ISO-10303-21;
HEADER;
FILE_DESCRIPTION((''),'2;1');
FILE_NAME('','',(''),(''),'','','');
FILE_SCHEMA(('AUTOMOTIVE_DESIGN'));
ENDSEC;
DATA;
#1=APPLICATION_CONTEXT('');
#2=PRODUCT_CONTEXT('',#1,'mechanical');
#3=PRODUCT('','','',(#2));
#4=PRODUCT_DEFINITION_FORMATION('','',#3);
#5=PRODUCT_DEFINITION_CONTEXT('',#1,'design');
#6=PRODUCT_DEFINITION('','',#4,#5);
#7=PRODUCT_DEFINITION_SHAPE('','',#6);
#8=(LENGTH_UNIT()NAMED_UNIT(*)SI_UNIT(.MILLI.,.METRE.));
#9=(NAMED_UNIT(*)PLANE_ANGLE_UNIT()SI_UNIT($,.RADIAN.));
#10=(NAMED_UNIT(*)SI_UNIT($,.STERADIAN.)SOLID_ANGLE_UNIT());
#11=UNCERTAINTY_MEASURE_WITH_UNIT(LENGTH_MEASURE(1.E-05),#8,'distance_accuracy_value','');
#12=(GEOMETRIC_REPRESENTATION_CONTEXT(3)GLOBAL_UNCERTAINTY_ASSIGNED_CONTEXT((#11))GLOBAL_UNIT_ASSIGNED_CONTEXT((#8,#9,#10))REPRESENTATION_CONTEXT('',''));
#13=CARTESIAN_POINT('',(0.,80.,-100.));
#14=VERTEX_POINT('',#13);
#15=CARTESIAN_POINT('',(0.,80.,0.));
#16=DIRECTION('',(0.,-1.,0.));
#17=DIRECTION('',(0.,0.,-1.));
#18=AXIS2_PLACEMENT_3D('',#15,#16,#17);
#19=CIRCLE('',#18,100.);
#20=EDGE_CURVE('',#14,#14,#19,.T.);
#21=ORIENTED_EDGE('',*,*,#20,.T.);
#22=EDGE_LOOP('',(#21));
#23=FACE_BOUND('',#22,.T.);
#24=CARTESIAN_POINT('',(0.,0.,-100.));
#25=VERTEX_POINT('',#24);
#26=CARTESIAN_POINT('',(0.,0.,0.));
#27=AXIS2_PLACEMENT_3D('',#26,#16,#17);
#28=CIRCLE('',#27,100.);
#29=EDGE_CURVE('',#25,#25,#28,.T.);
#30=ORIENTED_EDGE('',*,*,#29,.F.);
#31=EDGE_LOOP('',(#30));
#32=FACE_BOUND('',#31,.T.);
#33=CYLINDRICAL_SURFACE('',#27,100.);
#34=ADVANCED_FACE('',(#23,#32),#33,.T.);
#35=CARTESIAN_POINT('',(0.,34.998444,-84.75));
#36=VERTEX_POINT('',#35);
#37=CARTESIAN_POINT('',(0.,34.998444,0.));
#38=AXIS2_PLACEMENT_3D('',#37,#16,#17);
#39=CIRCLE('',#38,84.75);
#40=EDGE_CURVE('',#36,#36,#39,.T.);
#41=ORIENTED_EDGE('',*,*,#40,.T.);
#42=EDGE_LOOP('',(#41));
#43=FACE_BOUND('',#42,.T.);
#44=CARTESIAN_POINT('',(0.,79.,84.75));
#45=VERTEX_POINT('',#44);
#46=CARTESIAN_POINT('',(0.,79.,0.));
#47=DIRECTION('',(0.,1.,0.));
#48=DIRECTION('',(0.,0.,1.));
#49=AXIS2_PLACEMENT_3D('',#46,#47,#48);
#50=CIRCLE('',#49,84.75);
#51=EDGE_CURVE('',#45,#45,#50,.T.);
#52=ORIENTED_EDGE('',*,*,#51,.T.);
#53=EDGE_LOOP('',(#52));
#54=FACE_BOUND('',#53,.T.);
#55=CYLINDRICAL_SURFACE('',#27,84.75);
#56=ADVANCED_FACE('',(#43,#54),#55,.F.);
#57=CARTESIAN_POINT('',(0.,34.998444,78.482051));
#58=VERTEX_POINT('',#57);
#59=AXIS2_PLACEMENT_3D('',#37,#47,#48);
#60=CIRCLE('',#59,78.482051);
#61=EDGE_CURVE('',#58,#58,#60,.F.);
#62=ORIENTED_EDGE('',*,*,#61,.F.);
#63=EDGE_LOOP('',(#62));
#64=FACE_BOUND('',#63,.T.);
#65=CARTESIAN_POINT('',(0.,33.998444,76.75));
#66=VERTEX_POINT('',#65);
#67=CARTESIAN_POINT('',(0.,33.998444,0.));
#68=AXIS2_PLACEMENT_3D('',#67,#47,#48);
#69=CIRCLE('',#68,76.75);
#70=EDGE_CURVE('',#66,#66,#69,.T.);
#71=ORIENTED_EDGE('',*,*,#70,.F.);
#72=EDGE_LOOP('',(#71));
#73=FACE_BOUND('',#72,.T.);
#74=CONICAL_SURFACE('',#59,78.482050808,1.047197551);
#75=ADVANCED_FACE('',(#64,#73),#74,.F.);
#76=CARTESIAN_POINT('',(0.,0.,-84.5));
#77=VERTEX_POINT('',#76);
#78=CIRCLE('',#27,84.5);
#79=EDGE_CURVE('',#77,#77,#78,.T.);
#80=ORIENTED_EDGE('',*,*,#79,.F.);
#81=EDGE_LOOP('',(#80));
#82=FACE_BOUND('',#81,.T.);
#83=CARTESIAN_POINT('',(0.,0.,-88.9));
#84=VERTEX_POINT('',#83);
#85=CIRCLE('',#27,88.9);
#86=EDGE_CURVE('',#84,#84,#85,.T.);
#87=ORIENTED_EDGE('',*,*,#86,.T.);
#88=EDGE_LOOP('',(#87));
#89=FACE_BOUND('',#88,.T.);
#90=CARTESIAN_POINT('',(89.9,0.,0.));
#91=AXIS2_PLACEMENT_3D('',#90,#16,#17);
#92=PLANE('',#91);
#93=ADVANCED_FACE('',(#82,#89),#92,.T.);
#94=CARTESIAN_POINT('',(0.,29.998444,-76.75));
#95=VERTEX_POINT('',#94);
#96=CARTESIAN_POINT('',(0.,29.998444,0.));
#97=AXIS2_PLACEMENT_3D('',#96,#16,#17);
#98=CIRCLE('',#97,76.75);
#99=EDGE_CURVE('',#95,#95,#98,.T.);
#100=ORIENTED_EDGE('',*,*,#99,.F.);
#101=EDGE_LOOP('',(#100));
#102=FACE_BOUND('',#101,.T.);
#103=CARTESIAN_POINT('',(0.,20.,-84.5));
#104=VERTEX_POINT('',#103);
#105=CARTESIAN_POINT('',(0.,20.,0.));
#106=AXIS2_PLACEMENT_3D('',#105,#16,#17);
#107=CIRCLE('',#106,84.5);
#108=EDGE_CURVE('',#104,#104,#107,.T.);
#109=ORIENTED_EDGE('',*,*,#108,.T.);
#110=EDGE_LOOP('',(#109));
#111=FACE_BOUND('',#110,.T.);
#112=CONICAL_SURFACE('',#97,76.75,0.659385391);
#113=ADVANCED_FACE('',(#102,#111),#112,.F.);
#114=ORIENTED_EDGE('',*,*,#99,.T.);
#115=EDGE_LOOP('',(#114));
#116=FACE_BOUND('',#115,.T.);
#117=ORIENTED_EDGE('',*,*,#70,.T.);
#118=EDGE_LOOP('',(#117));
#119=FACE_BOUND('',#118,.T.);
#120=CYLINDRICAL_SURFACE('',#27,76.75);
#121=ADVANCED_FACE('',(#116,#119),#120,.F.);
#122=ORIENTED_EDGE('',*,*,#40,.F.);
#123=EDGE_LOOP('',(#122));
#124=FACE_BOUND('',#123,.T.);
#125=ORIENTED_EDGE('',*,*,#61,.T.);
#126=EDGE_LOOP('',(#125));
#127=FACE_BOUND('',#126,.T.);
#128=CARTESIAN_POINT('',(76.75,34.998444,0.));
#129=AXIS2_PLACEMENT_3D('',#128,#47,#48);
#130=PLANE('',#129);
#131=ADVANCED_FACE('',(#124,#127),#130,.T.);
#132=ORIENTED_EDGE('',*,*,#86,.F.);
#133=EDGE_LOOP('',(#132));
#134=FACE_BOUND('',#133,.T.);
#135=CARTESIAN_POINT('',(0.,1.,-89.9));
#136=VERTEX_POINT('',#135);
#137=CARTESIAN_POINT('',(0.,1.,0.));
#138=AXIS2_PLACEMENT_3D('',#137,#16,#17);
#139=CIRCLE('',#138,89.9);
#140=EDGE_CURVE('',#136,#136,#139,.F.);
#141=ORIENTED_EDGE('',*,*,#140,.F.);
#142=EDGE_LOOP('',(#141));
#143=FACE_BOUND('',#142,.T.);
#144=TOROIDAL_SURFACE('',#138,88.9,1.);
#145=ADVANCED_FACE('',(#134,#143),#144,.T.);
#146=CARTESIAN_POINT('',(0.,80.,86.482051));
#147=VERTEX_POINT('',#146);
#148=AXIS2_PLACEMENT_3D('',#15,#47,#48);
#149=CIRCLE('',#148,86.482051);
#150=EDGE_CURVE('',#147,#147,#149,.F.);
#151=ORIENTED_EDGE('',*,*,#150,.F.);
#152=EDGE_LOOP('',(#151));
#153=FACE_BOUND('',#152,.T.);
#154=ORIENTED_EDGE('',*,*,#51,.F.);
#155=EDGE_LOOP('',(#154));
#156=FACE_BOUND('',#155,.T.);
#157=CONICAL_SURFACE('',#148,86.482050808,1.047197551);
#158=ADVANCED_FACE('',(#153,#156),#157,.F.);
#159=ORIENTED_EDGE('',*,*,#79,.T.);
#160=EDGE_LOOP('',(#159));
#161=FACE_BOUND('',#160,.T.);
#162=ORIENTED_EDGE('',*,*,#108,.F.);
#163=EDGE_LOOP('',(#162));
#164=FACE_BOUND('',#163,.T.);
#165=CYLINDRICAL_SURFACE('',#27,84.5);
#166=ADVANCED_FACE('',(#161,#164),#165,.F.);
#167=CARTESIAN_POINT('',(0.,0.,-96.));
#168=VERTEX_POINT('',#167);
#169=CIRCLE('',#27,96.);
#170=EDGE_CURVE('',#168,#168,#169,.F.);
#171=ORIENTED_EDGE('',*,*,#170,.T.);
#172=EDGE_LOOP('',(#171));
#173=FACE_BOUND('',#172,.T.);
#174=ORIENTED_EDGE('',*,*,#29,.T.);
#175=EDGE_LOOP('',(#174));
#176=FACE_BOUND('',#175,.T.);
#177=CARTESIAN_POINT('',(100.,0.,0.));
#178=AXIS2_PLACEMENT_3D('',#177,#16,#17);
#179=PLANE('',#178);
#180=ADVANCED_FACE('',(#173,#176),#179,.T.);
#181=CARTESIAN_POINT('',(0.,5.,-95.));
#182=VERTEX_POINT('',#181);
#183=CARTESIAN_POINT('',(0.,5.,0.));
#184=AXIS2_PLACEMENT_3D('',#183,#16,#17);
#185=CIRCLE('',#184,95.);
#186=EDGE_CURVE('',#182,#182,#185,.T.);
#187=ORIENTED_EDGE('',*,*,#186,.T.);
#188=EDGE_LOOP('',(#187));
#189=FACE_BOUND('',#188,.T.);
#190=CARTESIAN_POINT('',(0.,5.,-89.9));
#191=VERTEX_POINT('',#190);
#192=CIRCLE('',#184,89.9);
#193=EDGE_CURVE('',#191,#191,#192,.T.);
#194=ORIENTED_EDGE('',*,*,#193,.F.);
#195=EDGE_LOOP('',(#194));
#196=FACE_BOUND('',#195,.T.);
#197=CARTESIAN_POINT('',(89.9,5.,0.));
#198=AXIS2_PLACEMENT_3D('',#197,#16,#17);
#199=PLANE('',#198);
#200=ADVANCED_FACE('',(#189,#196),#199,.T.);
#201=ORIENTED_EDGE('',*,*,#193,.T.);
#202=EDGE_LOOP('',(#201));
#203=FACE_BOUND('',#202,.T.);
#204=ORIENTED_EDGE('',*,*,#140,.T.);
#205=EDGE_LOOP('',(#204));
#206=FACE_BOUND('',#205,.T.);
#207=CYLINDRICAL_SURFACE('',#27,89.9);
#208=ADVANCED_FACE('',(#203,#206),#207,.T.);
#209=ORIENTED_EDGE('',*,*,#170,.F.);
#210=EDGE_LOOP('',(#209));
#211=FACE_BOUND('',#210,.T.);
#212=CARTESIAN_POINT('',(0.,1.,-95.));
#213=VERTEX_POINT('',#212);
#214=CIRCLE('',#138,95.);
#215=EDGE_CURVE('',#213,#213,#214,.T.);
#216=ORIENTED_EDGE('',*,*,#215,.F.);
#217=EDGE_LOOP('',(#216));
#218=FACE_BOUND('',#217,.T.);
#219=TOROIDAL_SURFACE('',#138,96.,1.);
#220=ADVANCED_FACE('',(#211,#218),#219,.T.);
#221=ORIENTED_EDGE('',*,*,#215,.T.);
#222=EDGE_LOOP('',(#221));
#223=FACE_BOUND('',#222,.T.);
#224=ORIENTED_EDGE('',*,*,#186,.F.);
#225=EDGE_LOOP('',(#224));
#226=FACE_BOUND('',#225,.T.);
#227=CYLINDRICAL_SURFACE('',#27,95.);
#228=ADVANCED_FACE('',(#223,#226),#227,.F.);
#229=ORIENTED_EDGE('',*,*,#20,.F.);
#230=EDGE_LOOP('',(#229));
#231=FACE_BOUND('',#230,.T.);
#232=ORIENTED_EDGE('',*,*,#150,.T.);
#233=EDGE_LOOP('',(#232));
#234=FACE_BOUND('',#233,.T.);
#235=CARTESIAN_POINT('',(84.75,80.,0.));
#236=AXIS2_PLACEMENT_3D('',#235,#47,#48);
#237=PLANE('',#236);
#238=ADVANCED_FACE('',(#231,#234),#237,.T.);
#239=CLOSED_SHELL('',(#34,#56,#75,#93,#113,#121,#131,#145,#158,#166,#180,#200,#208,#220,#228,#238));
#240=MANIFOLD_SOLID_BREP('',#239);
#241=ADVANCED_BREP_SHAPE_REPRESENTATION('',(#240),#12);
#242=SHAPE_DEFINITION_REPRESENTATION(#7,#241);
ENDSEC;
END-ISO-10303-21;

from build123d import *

# Parameters (mm, degrees)
CHAMFER2_SIZE         = 1
CHAMFER2_SIZE2        = 1.732050808
CHAMFER2_PART_2_SIZE  = 1
CHAMFER2_PART_2_SIZE2 = 1.732050808
FILLET1_R             = 1


with BuildPart() as part:
    # Sketch1 → Revolve1 (revolve)
    with BuildSketch(Plane.XY):
        Polygon((84.75, 80), (100, 80), (100, 0), (95, 0), (95, 5), (89.9, 5), (89.9, 0), (84.5, 0), (84.5, 20), (76.75, 29.998444487), (76.75, 34.998444487), (84.75, 34.998444487), align=None)
    revolve(axis=Axis((0, 0, 0), (0, 1, 0)))

    # Chamfer2
    chamfer2_edges = [part.edges().sort_by_distance(p)[0] for p in [
        (-84.75, 80, 0),
    ]]
    chamfer2_side = [part.faces().sort_by_distance(p)[0] for p in [
        (-84.75, 57.499222243, 0),
    ]]
    chamfer(chamfer2_edges, length=CHAMFER2_SIZE, length2=CHAMFER2_SIZE2, reference=chamfer2_side[0])

    # Chamfer2 part 2
    chamfer2_part_2_edges = [part.edges().sort_by_distance(p)[0] for p in [
        (-76.75, 34.998444487, 0),
    ]]
    chamfer2_part_2_side = [part.faces().sort_by_distance(p)[0] for p in [
        (-76.75, 32.498444487, 0),
    ]]
    chamfer(chamfer2_part_2_edges, length=CHAMFER2_PART_2_SIZE, length2=CHAMFER2_PART_2_SIZE2, reference=chamfer2_part_2_side[0])

    # Fillet1
    fillet1_edges = [part.edges().sort_by_distance(p)[0] for p in [
        (-95, 0, 0),
        (-89.9, 0, 0),
    ]]
    fillet(fillet1_edges, radius=FILLET1_R)


solid = part.part
